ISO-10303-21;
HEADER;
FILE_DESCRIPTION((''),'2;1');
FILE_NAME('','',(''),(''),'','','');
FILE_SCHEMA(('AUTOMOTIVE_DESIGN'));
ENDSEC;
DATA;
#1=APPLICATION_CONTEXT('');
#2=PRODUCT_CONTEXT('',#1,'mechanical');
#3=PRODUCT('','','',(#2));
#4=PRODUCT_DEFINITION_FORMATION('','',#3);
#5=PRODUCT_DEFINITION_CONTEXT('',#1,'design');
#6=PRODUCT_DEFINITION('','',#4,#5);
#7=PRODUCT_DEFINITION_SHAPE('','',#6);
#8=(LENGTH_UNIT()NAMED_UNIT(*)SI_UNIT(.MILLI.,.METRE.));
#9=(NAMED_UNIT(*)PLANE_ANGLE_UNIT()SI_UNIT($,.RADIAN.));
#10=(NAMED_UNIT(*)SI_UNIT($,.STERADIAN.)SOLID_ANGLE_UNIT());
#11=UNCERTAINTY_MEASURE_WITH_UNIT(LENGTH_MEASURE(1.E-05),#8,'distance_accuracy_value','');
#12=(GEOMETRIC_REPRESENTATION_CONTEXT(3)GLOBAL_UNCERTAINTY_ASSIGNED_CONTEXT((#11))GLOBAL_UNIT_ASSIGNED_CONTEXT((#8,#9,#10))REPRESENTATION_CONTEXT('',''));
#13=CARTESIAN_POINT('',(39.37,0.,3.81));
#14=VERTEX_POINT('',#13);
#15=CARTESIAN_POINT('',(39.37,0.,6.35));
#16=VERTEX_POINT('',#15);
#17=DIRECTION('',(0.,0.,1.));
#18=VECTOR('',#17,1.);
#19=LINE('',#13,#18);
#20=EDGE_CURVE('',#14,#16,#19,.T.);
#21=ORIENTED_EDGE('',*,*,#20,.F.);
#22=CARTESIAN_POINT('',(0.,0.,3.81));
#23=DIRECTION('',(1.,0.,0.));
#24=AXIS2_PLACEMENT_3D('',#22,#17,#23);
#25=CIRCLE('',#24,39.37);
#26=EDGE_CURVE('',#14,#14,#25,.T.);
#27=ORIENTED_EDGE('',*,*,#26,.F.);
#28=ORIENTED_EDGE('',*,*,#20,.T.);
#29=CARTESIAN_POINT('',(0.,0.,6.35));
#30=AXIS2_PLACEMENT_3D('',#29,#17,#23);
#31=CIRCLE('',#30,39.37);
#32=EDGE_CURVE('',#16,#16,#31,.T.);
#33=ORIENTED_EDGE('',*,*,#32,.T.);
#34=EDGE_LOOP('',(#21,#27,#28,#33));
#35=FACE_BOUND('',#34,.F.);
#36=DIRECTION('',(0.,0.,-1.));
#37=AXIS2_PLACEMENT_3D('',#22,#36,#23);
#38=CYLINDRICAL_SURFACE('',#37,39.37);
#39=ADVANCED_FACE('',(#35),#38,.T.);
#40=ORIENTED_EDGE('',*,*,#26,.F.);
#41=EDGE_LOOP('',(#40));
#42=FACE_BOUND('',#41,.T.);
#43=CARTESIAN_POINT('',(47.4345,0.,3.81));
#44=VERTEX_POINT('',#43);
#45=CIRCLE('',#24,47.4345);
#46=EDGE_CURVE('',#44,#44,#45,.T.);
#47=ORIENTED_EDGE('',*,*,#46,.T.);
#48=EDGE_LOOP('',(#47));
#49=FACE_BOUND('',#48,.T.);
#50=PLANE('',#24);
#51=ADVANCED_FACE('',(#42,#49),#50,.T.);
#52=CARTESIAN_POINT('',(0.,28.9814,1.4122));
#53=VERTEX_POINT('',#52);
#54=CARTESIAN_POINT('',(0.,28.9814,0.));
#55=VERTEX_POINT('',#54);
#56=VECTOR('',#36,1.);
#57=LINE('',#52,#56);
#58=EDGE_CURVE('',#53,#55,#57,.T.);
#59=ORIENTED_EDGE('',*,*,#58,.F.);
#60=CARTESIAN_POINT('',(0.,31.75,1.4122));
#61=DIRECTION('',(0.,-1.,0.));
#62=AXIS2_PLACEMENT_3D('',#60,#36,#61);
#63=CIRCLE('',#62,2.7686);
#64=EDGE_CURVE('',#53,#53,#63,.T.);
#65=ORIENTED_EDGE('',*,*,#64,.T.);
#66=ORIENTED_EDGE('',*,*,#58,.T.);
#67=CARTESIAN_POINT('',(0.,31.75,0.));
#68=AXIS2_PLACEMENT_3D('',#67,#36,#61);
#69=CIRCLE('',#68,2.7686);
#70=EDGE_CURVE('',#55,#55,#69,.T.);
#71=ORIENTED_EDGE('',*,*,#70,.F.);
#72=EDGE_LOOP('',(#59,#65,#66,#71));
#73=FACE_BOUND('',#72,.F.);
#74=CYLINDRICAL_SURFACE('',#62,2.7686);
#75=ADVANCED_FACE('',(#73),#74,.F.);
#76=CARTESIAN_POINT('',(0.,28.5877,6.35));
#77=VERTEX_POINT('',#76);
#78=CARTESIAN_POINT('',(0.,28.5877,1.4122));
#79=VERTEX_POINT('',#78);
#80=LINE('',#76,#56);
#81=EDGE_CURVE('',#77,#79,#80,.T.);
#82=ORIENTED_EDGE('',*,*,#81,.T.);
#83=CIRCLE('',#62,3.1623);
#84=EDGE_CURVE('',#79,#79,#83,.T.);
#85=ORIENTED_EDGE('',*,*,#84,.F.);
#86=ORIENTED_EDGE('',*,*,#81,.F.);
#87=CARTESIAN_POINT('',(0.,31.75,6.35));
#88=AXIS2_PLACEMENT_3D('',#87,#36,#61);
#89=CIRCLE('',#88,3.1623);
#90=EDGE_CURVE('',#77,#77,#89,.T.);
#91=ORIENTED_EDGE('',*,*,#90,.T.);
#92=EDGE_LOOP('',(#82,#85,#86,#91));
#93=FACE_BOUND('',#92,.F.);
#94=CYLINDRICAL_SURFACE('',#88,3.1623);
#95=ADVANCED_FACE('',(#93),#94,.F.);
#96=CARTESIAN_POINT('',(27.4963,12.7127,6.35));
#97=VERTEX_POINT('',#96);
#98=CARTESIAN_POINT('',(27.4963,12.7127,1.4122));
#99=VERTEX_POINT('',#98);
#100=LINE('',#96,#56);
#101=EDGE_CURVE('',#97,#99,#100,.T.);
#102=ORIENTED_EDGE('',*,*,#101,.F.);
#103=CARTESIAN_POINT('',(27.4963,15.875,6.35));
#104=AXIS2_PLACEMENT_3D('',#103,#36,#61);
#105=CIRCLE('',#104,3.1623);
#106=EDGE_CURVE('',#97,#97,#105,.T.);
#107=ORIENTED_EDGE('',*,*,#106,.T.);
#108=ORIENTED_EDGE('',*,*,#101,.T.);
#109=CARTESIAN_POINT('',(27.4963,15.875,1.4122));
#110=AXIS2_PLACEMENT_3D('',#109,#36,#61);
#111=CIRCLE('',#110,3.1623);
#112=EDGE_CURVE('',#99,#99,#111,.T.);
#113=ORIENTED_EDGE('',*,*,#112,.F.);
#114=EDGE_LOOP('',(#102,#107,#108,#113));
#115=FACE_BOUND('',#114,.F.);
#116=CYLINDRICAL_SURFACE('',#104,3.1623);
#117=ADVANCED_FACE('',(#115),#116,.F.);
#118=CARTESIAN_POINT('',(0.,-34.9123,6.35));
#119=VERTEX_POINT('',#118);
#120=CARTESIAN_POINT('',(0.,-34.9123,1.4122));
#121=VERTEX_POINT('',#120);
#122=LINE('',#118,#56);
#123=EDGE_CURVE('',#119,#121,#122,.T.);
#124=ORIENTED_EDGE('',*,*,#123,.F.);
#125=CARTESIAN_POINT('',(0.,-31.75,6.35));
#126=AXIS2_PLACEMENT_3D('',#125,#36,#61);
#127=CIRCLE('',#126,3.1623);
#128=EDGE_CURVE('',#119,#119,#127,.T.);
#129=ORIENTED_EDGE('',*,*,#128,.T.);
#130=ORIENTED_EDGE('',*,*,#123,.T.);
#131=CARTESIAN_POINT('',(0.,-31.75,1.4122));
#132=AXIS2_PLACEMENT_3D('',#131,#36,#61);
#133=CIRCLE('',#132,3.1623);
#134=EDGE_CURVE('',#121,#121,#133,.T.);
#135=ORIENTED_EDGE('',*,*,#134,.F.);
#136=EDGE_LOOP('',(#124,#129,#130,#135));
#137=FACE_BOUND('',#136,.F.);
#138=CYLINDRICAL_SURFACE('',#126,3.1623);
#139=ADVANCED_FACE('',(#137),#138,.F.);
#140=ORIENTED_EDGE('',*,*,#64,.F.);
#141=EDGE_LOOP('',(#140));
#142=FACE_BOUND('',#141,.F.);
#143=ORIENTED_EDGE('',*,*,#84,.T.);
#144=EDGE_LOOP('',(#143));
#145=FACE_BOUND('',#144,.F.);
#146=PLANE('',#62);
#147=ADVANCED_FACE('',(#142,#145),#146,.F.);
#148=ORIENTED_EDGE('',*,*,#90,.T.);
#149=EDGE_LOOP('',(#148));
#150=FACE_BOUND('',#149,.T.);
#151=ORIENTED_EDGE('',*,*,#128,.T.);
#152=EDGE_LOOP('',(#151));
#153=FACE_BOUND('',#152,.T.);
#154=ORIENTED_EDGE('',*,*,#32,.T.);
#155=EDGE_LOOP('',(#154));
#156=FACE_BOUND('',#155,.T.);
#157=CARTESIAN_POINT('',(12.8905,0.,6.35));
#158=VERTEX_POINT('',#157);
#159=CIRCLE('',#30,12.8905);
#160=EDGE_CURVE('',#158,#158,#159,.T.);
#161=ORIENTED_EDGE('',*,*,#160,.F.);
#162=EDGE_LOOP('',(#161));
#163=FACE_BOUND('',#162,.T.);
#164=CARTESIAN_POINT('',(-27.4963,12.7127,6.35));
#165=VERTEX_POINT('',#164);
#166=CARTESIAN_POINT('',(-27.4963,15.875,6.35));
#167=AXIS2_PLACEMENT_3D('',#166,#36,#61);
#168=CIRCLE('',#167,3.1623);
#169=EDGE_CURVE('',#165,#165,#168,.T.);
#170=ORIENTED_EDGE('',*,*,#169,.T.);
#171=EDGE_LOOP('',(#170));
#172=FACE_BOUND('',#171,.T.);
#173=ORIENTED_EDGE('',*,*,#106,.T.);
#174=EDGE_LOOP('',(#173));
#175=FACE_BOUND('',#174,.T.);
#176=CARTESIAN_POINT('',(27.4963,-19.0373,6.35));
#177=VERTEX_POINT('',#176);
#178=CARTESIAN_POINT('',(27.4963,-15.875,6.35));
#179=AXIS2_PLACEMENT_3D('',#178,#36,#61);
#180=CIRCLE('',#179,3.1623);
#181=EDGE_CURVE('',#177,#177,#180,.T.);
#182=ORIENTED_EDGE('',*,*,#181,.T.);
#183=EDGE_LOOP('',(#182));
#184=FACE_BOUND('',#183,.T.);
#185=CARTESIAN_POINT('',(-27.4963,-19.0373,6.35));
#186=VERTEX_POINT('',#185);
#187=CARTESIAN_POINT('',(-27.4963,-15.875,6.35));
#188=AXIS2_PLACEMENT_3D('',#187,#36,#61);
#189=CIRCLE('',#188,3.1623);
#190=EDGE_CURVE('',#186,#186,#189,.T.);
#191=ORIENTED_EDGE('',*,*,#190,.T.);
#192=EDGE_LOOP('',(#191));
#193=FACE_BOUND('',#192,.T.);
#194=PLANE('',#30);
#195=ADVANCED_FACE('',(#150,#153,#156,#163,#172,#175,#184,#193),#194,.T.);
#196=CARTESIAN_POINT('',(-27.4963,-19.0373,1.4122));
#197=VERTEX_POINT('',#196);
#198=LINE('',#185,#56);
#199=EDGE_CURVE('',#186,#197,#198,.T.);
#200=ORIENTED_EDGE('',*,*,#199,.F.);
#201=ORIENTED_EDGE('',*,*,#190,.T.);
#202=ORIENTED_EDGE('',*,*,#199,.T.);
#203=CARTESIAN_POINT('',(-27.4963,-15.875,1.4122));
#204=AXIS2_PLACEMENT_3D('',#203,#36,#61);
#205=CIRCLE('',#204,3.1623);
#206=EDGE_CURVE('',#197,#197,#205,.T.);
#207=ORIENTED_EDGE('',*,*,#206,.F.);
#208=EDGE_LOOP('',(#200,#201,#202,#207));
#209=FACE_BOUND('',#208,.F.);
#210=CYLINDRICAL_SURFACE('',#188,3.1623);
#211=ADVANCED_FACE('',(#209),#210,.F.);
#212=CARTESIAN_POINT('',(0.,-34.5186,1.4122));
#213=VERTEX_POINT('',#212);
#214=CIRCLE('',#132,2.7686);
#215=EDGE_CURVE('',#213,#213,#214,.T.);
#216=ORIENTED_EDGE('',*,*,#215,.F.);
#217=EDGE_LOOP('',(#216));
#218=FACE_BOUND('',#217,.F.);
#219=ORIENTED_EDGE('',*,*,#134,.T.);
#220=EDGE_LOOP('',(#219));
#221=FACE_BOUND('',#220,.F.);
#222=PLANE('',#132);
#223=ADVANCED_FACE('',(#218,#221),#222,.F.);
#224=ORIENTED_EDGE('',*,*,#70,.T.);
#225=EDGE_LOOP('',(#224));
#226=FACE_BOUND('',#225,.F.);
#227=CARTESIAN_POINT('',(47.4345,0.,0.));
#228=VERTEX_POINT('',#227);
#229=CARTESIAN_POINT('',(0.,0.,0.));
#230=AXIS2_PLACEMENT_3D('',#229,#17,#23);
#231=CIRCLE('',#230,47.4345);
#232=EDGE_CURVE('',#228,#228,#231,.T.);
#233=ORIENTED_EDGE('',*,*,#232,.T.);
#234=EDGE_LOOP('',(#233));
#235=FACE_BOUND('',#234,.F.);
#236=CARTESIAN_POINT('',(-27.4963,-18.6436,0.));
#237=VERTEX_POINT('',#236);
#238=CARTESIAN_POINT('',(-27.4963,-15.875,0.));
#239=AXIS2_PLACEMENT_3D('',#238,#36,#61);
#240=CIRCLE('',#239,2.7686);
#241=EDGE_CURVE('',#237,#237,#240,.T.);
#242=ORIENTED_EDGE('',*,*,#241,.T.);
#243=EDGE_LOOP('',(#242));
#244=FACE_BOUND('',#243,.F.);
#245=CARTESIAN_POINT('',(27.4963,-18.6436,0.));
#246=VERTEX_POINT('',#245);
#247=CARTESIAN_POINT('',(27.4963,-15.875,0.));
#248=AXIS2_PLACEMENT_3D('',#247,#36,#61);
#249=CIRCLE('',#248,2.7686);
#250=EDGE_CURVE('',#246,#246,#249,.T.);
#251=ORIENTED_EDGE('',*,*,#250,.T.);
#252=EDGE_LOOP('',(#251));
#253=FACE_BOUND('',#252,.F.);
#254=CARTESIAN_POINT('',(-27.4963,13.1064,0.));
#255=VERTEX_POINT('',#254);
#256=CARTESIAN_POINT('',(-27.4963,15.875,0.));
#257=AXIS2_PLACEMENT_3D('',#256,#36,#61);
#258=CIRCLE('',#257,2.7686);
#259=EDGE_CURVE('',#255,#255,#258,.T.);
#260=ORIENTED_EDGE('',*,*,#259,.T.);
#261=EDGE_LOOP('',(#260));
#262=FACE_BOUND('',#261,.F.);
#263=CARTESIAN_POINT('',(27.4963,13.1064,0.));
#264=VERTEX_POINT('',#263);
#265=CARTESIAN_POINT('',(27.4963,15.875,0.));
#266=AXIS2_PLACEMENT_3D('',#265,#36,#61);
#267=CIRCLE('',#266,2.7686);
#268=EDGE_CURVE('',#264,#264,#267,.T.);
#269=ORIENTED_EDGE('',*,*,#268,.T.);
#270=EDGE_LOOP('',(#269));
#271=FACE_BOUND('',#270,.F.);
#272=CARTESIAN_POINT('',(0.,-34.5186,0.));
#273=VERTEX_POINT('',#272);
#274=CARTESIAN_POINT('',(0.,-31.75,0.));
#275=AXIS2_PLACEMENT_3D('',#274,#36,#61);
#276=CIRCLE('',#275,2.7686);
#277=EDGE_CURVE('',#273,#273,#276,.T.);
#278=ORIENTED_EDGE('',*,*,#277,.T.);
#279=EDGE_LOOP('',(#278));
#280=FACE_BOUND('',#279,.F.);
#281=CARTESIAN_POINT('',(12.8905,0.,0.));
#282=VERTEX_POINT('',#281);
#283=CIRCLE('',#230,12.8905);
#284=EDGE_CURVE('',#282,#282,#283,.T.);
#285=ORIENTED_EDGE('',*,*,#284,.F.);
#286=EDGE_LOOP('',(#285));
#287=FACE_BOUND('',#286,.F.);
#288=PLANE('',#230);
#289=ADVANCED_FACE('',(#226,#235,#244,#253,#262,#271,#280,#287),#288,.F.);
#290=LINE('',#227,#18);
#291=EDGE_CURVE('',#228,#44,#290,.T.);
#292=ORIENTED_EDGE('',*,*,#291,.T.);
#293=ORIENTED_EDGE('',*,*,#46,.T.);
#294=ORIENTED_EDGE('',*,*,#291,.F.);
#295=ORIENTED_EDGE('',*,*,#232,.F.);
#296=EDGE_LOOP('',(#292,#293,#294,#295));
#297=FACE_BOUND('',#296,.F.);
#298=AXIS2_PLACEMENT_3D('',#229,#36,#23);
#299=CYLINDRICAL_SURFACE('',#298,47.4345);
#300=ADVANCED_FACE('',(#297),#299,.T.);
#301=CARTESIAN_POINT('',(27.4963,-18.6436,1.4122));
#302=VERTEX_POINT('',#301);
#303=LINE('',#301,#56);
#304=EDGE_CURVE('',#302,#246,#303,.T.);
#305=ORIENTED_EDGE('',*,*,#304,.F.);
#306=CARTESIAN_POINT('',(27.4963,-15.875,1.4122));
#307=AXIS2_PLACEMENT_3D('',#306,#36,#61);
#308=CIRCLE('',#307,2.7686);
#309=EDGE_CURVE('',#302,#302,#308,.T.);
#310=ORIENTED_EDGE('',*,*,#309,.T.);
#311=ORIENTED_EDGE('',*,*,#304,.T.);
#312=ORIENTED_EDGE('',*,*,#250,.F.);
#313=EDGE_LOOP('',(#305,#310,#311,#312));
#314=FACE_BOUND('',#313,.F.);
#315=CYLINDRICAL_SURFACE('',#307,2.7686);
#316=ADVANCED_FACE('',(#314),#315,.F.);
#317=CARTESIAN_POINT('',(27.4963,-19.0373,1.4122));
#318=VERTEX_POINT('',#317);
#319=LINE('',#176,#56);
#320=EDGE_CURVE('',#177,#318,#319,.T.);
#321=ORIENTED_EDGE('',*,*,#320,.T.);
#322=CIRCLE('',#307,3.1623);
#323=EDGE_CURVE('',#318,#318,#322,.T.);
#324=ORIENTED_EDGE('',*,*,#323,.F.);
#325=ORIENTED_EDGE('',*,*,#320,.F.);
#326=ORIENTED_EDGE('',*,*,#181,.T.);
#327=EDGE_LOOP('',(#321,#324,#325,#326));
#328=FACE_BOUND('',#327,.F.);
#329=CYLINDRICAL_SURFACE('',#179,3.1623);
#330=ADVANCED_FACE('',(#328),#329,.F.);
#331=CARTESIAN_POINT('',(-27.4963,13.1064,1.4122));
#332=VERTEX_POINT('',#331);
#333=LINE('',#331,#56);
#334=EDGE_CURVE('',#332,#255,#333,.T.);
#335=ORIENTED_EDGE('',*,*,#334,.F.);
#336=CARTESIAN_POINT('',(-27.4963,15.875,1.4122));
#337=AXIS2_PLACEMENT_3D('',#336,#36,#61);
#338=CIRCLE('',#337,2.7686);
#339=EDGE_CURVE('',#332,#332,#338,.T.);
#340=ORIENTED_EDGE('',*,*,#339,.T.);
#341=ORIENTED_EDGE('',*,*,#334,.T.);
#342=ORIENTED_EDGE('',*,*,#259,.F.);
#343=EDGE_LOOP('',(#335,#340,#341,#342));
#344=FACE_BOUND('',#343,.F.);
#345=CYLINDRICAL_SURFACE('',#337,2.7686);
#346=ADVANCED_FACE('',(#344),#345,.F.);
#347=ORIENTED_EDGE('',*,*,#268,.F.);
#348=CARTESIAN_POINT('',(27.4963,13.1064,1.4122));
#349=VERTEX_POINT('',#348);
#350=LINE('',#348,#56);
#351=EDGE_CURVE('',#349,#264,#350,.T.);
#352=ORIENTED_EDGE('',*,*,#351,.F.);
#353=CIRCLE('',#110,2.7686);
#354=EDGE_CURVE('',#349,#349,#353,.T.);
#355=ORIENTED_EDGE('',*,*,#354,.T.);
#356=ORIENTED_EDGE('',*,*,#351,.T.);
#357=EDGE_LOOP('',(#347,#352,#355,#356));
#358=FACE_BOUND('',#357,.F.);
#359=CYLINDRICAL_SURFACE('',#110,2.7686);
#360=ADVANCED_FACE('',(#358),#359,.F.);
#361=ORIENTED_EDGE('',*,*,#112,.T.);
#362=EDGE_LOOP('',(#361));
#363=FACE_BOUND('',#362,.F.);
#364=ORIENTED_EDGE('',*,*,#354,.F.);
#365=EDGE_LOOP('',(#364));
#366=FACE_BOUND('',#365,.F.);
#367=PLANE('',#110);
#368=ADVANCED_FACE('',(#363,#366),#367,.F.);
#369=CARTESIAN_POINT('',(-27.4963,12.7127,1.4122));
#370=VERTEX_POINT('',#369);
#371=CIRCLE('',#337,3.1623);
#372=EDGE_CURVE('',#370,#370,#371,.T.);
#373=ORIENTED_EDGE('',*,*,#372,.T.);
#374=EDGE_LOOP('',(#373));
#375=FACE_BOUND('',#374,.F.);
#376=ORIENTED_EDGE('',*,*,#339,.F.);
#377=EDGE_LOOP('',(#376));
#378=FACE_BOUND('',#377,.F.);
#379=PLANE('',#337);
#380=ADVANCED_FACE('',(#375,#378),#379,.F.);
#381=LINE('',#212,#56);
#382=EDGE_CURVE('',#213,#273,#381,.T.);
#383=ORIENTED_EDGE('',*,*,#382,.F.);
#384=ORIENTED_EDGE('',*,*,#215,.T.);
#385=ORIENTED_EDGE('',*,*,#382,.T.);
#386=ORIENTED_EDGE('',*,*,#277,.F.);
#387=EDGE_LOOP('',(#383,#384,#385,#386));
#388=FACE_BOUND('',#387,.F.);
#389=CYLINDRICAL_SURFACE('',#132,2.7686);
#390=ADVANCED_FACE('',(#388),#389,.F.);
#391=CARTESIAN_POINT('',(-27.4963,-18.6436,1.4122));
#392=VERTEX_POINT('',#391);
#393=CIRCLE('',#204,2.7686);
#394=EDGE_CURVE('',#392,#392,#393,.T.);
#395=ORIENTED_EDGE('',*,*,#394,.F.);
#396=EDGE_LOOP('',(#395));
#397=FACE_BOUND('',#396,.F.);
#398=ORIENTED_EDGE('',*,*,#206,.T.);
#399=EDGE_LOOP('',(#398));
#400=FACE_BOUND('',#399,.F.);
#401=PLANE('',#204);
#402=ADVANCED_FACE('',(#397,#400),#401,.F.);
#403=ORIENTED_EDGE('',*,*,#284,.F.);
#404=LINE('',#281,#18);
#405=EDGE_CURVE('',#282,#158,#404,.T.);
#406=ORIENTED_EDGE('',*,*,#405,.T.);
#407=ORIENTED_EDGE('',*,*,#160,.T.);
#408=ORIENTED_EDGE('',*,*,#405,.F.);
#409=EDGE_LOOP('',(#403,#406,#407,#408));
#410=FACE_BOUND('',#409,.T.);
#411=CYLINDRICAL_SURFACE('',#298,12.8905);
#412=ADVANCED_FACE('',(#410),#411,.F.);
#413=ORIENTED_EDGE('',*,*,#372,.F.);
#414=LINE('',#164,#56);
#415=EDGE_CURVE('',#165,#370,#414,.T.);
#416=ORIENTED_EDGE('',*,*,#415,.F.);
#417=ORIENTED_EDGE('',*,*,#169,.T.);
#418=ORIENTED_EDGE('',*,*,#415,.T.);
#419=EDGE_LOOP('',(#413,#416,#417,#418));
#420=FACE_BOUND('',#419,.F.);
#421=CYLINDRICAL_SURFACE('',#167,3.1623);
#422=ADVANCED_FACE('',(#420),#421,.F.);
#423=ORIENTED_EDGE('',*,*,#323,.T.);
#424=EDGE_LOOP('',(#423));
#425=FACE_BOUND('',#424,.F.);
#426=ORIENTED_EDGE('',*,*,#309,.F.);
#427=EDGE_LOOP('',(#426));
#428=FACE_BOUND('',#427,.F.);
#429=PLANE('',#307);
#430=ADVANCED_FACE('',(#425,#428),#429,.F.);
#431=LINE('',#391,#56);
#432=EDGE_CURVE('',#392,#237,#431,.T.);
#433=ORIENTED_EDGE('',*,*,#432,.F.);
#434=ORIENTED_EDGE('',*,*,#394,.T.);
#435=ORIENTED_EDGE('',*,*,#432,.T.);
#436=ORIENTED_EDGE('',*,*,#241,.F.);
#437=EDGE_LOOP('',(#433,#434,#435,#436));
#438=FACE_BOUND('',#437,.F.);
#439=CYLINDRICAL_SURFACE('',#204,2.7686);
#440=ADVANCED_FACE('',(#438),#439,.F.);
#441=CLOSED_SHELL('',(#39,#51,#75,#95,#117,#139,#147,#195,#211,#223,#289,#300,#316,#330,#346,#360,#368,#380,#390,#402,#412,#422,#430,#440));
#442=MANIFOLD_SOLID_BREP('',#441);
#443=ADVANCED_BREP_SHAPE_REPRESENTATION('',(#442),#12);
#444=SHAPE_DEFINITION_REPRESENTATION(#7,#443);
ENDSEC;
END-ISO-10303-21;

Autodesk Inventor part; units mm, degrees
ref_plane "YZ Plane" through (0, 0, 0) normal (1, 0, 0) x (0, 1, 0)
ref_plane "XZ Plane" through (0, 0, 0) normal (0, 1, 0) x (-1, 0, 0)
ref_plane "XY Plane" through (0, 0, 0) normal (0, 0, 1) x (1, 0, 0)
sketch "Sketch1" plane through (0, 0, 0) normal (0, 0, 1) x (1, 0, 0)
  circle A0 centre (0, 0) radius 12.8905
  circle A1 centre (0, 0) radius 47.4345
  dimension "d0" = 25.781
  dimension "d1" = 94.869
extrude "Extrusion1" add sketch "Sketch1" along normal blind 3.81
sketch "Sketch2" plane through (0, 0, 3.81) normal (0, 0, 1) x (1, 0, 0)
  circle A0 centre (0, 0) radius 12.8905
  circle A1 centre (0, 0) radius 39.37
  dimension "d4" = 78.74
extrude "Extrusion2" add sketch "Sketch2" along normal blind 2.54
sketch "Sketch4" plane through (0, 0, 6.35) normal (0, 0, 1) x (1, 0, 0)
  point P0 (0, 0)
  point P1 (0, 31.75)
  point P2 (-27.4963, 15.875)
  point P3 (-27.4963, -15.875)
  point P4 (0, -31.75)
  point P5 (27.4963, -15.875)
  point P6 (27.4963, 15.875)
  dimension "d19" = 31.75
  dimension "d22" = 360
hole "Hole2" at (0, 31.75, 6.35) at (-27.4963, 15.875, 6.35) at (-27.4963, -15.875, 6.35) at (0, -31.75, 6.35) at (27.4963, -15.875, 6.35) at (27.4963, 15.875, 6.35) direction (0, 0, -1) diameter 5.5372 depth 6.35 tip angle 118 counterbore diameter 6.3246 counterbore depth 4.9378
properties part number "Worm Gear5-Bottom"
